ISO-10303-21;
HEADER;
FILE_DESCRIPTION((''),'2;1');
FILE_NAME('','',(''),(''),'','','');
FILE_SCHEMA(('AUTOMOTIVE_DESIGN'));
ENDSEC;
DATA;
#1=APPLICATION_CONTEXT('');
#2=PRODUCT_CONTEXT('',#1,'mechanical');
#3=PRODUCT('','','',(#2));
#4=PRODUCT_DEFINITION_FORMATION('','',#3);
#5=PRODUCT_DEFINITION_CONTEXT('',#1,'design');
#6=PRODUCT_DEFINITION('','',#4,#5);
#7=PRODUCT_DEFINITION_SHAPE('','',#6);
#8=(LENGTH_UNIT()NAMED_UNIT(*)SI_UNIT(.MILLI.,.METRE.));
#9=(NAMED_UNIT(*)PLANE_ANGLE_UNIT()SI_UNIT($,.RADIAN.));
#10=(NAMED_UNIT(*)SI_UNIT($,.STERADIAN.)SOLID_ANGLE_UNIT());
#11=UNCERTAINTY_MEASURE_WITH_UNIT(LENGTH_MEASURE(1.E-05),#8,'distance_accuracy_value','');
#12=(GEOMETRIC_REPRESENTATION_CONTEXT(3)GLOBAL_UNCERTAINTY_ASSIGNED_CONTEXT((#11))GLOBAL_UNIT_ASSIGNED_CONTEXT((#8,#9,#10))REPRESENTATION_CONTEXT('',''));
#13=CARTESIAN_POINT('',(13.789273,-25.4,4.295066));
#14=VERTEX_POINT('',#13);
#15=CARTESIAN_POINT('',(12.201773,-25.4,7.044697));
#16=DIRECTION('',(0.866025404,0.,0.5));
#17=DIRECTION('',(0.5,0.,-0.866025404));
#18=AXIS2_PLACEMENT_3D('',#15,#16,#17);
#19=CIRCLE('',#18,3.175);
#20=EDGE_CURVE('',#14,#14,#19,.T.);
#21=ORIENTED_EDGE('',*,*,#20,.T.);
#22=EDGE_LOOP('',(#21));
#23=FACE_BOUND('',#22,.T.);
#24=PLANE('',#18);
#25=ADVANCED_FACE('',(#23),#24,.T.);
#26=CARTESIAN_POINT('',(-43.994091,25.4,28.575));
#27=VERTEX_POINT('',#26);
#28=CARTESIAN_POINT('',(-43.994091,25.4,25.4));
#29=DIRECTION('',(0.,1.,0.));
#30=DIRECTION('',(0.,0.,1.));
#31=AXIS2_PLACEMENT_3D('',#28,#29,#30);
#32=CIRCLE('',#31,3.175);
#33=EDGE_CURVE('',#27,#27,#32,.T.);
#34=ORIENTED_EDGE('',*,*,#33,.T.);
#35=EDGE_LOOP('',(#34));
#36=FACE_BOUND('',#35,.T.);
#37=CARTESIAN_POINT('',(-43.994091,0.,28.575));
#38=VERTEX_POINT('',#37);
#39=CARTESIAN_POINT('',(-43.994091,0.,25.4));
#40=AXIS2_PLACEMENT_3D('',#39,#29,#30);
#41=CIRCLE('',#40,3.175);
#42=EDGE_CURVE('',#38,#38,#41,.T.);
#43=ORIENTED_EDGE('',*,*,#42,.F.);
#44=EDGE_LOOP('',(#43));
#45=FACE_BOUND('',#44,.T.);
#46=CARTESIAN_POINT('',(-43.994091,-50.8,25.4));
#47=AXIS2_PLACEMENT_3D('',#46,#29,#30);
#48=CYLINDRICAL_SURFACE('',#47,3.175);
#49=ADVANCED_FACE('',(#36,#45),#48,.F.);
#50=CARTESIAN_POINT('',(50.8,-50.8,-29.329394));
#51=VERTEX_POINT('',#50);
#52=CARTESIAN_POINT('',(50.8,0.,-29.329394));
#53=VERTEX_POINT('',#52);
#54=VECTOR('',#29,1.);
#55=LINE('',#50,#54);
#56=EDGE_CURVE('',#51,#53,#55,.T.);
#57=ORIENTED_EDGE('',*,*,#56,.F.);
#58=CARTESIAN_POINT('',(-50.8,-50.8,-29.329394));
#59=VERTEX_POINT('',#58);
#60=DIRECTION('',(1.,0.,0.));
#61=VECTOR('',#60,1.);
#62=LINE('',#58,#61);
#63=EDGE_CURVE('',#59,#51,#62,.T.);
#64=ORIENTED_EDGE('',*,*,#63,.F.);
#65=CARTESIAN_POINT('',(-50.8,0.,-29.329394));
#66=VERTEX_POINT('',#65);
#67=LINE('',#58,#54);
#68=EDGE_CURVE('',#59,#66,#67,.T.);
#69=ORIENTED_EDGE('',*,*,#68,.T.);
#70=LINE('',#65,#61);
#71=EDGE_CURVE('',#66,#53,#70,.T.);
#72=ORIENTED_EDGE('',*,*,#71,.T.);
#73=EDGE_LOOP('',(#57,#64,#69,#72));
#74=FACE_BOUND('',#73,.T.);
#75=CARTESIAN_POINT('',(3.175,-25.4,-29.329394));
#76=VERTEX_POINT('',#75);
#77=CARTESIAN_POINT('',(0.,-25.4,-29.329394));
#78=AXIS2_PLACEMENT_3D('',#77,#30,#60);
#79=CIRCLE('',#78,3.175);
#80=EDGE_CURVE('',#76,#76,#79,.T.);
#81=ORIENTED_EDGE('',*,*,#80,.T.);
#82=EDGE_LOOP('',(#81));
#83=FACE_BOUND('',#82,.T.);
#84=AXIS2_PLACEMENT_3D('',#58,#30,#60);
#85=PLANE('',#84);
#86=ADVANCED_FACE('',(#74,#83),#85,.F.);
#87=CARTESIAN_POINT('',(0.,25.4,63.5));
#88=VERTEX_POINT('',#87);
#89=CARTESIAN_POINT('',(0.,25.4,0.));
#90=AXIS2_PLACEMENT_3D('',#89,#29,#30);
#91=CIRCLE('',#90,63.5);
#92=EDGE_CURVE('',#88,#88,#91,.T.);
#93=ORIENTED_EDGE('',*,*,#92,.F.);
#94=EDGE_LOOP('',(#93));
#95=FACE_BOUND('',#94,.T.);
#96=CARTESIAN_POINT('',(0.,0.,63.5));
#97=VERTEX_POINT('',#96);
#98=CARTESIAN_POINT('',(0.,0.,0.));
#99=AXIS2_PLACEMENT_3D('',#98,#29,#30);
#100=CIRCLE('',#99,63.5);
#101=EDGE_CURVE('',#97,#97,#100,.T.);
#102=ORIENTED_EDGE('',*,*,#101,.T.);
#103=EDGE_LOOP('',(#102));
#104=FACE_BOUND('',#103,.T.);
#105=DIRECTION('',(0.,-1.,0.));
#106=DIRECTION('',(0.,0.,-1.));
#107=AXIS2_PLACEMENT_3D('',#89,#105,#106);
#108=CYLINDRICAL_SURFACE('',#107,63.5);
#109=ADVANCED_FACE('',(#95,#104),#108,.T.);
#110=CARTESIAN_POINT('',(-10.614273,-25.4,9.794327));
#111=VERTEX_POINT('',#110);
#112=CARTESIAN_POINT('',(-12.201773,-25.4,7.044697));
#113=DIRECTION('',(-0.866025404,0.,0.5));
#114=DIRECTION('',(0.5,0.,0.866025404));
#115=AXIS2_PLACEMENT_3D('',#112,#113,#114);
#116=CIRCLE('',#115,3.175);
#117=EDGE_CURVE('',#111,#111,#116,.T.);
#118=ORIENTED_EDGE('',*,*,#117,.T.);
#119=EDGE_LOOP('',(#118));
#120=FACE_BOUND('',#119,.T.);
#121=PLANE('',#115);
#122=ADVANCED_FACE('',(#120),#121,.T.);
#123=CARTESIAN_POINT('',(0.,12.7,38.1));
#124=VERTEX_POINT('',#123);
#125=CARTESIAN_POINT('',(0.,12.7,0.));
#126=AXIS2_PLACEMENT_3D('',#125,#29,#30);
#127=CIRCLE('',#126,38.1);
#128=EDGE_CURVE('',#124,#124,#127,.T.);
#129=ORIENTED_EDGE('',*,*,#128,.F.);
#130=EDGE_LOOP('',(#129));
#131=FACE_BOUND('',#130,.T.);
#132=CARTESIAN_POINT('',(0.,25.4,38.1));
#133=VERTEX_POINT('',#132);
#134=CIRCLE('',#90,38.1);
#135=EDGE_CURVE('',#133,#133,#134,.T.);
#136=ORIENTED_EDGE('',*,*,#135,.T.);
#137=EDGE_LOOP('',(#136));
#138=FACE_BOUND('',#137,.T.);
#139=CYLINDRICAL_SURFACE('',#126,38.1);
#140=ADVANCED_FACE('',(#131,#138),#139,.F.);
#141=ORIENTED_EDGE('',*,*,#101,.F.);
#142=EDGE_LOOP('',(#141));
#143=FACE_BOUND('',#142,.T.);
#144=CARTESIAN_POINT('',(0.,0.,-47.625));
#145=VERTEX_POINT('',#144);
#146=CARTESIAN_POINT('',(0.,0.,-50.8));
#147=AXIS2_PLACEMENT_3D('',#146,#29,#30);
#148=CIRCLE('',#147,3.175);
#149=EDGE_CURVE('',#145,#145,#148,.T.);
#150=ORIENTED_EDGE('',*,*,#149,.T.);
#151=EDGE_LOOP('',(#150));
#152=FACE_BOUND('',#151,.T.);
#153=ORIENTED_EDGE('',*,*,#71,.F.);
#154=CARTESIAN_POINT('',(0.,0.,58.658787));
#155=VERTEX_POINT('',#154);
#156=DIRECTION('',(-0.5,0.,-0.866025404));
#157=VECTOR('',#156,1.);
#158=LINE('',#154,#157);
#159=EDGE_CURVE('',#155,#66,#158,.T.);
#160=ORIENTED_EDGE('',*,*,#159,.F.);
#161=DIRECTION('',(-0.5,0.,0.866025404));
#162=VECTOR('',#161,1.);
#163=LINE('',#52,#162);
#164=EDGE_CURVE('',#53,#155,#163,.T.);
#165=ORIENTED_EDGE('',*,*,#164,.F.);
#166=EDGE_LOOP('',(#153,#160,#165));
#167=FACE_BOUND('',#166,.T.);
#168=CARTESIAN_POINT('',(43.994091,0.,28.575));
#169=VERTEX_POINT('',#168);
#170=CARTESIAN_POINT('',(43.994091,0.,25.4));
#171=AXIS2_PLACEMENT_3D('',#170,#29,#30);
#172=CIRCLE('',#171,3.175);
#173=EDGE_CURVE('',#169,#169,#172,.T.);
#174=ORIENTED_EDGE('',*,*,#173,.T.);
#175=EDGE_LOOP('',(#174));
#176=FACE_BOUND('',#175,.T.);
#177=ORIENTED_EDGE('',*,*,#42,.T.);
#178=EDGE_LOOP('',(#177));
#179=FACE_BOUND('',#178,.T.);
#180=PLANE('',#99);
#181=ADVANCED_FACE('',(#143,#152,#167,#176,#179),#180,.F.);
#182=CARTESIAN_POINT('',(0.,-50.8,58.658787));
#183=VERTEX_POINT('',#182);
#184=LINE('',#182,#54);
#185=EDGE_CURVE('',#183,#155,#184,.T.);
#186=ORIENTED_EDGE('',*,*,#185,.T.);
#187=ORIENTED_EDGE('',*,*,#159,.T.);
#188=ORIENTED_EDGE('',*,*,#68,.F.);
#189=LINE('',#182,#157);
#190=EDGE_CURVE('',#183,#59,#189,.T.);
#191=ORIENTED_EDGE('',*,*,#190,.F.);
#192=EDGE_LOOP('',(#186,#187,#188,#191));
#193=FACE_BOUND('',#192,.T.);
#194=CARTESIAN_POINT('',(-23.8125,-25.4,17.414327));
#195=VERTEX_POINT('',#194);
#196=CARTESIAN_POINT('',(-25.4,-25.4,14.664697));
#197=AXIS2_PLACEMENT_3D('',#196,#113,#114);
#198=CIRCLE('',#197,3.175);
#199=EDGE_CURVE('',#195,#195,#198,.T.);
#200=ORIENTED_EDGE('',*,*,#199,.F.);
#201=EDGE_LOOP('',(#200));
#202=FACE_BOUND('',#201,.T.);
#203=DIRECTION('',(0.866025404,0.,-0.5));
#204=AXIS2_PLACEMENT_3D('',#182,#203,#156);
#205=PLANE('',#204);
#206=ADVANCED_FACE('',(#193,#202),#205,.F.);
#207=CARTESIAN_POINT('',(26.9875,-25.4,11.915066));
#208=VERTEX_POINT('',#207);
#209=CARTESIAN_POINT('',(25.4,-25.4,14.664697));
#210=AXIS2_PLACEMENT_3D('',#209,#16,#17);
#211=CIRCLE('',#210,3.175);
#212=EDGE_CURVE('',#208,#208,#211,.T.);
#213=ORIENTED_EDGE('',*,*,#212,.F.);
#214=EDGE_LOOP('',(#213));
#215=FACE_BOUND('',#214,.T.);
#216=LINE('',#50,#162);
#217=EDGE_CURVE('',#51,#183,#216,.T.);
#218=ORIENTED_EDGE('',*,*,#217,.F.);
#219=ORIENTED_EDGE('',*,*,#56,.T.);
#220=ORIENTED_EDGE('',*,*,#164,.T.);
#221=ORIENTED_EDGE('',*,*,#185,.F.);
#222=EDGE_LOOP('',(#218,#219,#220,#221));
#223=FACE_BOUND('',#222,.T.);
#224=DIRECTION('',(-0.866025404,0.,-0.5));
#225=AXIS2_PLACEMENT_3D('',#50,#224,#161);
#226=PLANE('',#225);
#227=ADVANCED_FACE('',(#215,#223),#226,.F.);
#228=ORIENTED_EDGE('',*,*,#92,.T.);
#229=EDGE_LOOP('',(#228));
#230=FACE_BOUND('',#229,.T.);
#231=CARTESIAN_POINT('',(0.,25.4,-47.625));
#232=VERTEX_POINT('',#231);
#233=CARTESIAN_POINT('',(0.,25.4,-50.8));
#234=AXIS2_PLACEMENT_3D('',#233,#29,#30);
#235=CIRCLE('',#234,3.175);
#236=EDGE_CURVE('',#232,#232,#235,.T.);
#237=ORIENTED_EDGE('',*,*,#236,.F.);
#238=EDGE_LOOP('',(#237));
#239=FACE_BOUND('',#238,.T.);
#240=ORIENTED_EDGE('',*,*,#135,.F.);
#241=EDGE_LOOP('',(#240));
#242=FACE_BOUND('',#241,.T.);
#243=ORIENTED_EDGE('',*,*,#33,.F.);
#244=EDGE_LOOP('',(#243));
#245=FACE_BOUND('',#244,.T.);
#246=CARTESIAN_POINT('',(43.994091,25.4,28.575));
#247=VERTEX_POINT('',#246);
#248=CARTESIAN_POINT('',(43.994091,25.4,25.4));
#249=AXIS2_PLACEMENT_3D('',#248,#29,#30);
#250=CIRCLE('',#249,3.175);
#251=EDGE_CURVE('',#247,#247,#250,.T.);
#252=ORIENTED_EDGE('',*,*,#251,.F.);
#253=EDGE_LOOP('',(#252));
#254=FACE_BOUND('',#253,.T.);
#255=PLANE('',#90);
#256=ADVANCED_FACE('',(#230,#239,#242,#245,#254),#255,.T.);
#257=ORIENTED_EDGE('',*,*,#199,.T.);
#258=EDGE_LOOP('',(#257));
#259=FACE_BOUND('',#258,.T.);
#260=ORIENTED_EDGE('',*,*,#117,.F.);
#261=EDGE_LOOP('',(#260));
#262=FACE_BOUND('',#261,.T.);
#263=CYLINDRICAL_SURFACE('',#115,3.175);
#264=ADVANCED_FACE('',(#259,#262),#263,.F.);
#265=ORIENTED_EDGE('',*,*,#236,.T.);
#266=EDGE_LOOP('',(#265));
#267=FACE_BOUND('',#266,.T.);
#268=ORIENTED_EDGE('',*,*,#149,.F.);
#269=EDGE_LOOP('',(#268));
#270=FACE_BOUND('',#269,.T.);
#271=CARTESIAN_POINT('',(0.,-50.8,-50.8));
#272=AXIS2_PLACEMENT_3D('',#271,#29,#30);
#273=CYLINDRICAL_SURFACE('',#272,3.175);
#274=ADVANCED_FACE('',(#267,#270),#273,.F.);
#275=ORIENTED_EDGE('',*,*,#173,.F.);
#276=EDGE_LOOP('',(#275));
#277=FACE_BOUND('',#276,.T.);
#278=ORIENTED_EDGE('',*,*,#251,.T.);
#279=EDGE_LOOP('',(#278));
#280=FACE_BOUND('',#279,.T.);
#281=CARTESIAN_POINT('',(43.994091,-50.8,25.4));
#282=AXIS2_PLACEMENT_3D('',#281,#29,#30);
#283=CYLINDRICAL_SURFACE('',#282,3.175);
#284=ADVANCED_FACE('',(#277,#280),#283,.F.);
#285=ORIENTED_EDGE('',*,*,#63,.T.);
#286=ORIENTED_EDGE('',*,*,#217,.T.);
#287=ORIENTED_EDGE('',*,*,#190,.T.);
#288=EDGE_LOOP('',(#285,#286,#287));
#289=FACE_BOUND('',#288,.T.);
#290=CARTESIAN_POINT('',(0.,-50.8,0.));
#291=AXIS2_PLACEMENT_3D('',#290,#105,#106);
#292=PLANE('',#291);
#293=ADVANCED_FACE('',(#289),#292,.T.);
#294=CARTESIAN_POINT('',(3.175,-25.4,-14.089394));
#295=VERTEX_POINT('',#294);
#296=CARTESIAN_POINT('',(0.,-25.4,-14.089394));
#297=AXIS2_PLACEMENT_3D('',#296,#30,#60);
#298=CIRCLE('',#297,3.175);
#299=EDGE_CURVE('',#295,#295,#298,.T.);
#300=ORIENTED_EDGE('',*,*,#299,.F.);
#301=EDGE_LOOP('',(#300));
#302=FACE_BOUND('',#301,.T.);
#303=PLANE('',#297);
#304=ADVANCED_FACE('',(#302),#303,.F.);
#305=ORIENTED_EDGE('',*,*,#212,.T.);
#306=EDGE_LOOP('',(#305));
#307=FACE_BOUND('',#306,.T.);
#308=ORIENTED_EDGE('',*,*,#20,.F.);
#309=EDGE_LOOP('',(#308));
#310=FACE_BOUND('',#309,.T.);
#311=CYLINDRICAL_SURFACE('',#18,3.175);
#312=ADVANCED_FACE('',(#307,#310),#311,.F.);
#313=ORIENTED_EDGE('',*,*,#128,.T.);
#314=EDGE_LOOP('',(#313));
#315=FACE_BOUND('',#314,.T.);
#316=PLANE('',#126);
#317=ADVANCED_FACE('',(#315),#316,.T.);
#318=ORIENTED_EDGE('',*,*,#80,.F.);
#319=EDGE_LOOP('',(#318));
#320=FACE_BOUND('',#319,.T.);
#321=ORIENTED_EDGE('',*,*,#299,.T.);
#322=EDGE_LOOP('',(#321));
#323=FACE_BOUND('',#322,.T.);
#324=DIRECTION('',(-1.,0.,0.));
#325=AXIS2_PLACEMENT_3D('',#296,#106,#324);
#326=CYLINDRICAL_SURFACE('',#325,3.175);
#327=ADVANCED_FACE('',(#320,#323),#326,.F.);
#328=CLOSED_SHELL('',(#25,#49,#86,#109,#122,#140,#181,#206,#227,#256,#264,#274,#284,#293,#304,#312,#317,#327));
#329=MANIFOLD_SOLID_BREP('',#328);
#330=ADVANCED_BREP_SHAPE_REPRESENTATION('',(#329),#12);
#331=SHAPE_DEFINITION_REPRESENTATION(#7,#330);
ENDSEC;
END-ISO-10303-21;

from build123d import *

# Parameters (mm, degrees)
SKETCH1_R               = 63.5
BOSS_EXTRUDE1_DEPTH     = 25.4
SKETCH2_R               = 38.1
CUT_EXTRUDE1_DEPTH      = 12.7
BOSS_EXTRUDE2_DEPTH     = 50.8
SKETCH5_R               = 3.175
CUT_EXTRUDE2_DEPTH      = 1
CUT_EXTRUDE2_DEPTH_BACK = 77.2
SKETCH8_R               = 3.175
CUT_EXTRUDE3_DEPTH      = 15.24
SKETCH7_R               = 3.175
CUT_EXTRUDE5_DEPTH      = 15.24
SKETCH6_R               = 3.175
CUT_EXTRUDE6_DEPTH      = 15.24


with BuildPart() as part:
    # Sketch1 → Boss-Extrude1 (new body)
    with BuildSketch(Plane(origin=(0, 0, 0), x_dir=(1, 0, 0), z_dir=(0, 1, 0))):
        Circle(SKETCH1_R)
    extrude(amount=BOSS_EXTRUDE1_DEPTH)

    # Sketch2 → Cut-Extrude1 (cut)
    with BuildSketch(Plane(origin=(0, 25.4, 0), x_dir=(1, 0, 0), z_dir=(0, 1, 0))):
        Circle(SKETCH2_R)
    extrude(amount=-CUT_EXTRUDE1_DEPTH, mode=Mode.SUBTRACT)

    # Sketch4 → Boss-Extrude2 (add)
    with BuildSketch(Plane.XZ):
        Polygon((50.8, -29.329393675), (0, 58.65878735), (-50.8, -29.329393675), align=None)
    extrude(amount=BOSS_EXTRUDE2_DEPTH)

    # Sketch5 → Cut-Extrude2 (cut, two sides)
    with BuildSketch(Plane(origin=(0, 25.4, 0), x_dir=(1, 0, 0), z_dir=(0, 1, 0))) as cut_extrude2_sk:
        with Locations((0, 50.8)):
            Circle(SKETCH5_R)
        with Locations((43.994090512, -25.4)):
            Circle(SKETCH5_R)
        with Locations((-43.994090512, -25.4)):
            Circle(SKETCH5_R)
    extrude(amount=CUT_EXTRUDE2_DEPTH, mode=Mode.SUBTRACT)
    extrude(cut_extrude2_sk.sketch, amount=-CUT_EXTRUDE2_DEPTH_BACK, mode=Mode.SUBTRACT)

    # Sketch8 → Cut-Extrude3 (cut)
    with BuildSketch(Plane(origin=(-25.4, 0, 14.664696837), x_dir=(0.5, 0, 0.866025404), z_dir=(-0.866025404, 0, 0.5))):
        with Locations((0, -25.4)):
            Circle(SKETCH8_R)
    extrude(amount=-CUT_EXTRUDE3_DEPTH, mode=Mode.SUBTRACT)

    # Sketch7 → Cut-Extrude5 (cut)
    with BuildSketch(Plane(origin=(3.754579306, 0, -29.329393675), x_dir=(1, 0, 0), z_dir=(0, 0, 1))):
        with Locations((-3.754579306, -25.4)):
            Circle(SKETCH7_R)
    extrude(amount=CUT_EXTRUDE5_DEPTH, mode=Mode.SUBTRACT)

    # Sketch6 → Cut-Extrude6 (cut)
    with BuildSketch(Plane(origin=(25.4, 0, 14.664696837), x_dir=(0.5, 0, -0.866025404), z_dir=(0.866025404, 0, 0.5))):
        with Locations((0, -25.4)):
            Circle(SKETCH6_R)
    extrude(amount=-CUT_EXTRUDE6_DEPTH, mode=Mode.SUBTRACT)


solid = part.part
